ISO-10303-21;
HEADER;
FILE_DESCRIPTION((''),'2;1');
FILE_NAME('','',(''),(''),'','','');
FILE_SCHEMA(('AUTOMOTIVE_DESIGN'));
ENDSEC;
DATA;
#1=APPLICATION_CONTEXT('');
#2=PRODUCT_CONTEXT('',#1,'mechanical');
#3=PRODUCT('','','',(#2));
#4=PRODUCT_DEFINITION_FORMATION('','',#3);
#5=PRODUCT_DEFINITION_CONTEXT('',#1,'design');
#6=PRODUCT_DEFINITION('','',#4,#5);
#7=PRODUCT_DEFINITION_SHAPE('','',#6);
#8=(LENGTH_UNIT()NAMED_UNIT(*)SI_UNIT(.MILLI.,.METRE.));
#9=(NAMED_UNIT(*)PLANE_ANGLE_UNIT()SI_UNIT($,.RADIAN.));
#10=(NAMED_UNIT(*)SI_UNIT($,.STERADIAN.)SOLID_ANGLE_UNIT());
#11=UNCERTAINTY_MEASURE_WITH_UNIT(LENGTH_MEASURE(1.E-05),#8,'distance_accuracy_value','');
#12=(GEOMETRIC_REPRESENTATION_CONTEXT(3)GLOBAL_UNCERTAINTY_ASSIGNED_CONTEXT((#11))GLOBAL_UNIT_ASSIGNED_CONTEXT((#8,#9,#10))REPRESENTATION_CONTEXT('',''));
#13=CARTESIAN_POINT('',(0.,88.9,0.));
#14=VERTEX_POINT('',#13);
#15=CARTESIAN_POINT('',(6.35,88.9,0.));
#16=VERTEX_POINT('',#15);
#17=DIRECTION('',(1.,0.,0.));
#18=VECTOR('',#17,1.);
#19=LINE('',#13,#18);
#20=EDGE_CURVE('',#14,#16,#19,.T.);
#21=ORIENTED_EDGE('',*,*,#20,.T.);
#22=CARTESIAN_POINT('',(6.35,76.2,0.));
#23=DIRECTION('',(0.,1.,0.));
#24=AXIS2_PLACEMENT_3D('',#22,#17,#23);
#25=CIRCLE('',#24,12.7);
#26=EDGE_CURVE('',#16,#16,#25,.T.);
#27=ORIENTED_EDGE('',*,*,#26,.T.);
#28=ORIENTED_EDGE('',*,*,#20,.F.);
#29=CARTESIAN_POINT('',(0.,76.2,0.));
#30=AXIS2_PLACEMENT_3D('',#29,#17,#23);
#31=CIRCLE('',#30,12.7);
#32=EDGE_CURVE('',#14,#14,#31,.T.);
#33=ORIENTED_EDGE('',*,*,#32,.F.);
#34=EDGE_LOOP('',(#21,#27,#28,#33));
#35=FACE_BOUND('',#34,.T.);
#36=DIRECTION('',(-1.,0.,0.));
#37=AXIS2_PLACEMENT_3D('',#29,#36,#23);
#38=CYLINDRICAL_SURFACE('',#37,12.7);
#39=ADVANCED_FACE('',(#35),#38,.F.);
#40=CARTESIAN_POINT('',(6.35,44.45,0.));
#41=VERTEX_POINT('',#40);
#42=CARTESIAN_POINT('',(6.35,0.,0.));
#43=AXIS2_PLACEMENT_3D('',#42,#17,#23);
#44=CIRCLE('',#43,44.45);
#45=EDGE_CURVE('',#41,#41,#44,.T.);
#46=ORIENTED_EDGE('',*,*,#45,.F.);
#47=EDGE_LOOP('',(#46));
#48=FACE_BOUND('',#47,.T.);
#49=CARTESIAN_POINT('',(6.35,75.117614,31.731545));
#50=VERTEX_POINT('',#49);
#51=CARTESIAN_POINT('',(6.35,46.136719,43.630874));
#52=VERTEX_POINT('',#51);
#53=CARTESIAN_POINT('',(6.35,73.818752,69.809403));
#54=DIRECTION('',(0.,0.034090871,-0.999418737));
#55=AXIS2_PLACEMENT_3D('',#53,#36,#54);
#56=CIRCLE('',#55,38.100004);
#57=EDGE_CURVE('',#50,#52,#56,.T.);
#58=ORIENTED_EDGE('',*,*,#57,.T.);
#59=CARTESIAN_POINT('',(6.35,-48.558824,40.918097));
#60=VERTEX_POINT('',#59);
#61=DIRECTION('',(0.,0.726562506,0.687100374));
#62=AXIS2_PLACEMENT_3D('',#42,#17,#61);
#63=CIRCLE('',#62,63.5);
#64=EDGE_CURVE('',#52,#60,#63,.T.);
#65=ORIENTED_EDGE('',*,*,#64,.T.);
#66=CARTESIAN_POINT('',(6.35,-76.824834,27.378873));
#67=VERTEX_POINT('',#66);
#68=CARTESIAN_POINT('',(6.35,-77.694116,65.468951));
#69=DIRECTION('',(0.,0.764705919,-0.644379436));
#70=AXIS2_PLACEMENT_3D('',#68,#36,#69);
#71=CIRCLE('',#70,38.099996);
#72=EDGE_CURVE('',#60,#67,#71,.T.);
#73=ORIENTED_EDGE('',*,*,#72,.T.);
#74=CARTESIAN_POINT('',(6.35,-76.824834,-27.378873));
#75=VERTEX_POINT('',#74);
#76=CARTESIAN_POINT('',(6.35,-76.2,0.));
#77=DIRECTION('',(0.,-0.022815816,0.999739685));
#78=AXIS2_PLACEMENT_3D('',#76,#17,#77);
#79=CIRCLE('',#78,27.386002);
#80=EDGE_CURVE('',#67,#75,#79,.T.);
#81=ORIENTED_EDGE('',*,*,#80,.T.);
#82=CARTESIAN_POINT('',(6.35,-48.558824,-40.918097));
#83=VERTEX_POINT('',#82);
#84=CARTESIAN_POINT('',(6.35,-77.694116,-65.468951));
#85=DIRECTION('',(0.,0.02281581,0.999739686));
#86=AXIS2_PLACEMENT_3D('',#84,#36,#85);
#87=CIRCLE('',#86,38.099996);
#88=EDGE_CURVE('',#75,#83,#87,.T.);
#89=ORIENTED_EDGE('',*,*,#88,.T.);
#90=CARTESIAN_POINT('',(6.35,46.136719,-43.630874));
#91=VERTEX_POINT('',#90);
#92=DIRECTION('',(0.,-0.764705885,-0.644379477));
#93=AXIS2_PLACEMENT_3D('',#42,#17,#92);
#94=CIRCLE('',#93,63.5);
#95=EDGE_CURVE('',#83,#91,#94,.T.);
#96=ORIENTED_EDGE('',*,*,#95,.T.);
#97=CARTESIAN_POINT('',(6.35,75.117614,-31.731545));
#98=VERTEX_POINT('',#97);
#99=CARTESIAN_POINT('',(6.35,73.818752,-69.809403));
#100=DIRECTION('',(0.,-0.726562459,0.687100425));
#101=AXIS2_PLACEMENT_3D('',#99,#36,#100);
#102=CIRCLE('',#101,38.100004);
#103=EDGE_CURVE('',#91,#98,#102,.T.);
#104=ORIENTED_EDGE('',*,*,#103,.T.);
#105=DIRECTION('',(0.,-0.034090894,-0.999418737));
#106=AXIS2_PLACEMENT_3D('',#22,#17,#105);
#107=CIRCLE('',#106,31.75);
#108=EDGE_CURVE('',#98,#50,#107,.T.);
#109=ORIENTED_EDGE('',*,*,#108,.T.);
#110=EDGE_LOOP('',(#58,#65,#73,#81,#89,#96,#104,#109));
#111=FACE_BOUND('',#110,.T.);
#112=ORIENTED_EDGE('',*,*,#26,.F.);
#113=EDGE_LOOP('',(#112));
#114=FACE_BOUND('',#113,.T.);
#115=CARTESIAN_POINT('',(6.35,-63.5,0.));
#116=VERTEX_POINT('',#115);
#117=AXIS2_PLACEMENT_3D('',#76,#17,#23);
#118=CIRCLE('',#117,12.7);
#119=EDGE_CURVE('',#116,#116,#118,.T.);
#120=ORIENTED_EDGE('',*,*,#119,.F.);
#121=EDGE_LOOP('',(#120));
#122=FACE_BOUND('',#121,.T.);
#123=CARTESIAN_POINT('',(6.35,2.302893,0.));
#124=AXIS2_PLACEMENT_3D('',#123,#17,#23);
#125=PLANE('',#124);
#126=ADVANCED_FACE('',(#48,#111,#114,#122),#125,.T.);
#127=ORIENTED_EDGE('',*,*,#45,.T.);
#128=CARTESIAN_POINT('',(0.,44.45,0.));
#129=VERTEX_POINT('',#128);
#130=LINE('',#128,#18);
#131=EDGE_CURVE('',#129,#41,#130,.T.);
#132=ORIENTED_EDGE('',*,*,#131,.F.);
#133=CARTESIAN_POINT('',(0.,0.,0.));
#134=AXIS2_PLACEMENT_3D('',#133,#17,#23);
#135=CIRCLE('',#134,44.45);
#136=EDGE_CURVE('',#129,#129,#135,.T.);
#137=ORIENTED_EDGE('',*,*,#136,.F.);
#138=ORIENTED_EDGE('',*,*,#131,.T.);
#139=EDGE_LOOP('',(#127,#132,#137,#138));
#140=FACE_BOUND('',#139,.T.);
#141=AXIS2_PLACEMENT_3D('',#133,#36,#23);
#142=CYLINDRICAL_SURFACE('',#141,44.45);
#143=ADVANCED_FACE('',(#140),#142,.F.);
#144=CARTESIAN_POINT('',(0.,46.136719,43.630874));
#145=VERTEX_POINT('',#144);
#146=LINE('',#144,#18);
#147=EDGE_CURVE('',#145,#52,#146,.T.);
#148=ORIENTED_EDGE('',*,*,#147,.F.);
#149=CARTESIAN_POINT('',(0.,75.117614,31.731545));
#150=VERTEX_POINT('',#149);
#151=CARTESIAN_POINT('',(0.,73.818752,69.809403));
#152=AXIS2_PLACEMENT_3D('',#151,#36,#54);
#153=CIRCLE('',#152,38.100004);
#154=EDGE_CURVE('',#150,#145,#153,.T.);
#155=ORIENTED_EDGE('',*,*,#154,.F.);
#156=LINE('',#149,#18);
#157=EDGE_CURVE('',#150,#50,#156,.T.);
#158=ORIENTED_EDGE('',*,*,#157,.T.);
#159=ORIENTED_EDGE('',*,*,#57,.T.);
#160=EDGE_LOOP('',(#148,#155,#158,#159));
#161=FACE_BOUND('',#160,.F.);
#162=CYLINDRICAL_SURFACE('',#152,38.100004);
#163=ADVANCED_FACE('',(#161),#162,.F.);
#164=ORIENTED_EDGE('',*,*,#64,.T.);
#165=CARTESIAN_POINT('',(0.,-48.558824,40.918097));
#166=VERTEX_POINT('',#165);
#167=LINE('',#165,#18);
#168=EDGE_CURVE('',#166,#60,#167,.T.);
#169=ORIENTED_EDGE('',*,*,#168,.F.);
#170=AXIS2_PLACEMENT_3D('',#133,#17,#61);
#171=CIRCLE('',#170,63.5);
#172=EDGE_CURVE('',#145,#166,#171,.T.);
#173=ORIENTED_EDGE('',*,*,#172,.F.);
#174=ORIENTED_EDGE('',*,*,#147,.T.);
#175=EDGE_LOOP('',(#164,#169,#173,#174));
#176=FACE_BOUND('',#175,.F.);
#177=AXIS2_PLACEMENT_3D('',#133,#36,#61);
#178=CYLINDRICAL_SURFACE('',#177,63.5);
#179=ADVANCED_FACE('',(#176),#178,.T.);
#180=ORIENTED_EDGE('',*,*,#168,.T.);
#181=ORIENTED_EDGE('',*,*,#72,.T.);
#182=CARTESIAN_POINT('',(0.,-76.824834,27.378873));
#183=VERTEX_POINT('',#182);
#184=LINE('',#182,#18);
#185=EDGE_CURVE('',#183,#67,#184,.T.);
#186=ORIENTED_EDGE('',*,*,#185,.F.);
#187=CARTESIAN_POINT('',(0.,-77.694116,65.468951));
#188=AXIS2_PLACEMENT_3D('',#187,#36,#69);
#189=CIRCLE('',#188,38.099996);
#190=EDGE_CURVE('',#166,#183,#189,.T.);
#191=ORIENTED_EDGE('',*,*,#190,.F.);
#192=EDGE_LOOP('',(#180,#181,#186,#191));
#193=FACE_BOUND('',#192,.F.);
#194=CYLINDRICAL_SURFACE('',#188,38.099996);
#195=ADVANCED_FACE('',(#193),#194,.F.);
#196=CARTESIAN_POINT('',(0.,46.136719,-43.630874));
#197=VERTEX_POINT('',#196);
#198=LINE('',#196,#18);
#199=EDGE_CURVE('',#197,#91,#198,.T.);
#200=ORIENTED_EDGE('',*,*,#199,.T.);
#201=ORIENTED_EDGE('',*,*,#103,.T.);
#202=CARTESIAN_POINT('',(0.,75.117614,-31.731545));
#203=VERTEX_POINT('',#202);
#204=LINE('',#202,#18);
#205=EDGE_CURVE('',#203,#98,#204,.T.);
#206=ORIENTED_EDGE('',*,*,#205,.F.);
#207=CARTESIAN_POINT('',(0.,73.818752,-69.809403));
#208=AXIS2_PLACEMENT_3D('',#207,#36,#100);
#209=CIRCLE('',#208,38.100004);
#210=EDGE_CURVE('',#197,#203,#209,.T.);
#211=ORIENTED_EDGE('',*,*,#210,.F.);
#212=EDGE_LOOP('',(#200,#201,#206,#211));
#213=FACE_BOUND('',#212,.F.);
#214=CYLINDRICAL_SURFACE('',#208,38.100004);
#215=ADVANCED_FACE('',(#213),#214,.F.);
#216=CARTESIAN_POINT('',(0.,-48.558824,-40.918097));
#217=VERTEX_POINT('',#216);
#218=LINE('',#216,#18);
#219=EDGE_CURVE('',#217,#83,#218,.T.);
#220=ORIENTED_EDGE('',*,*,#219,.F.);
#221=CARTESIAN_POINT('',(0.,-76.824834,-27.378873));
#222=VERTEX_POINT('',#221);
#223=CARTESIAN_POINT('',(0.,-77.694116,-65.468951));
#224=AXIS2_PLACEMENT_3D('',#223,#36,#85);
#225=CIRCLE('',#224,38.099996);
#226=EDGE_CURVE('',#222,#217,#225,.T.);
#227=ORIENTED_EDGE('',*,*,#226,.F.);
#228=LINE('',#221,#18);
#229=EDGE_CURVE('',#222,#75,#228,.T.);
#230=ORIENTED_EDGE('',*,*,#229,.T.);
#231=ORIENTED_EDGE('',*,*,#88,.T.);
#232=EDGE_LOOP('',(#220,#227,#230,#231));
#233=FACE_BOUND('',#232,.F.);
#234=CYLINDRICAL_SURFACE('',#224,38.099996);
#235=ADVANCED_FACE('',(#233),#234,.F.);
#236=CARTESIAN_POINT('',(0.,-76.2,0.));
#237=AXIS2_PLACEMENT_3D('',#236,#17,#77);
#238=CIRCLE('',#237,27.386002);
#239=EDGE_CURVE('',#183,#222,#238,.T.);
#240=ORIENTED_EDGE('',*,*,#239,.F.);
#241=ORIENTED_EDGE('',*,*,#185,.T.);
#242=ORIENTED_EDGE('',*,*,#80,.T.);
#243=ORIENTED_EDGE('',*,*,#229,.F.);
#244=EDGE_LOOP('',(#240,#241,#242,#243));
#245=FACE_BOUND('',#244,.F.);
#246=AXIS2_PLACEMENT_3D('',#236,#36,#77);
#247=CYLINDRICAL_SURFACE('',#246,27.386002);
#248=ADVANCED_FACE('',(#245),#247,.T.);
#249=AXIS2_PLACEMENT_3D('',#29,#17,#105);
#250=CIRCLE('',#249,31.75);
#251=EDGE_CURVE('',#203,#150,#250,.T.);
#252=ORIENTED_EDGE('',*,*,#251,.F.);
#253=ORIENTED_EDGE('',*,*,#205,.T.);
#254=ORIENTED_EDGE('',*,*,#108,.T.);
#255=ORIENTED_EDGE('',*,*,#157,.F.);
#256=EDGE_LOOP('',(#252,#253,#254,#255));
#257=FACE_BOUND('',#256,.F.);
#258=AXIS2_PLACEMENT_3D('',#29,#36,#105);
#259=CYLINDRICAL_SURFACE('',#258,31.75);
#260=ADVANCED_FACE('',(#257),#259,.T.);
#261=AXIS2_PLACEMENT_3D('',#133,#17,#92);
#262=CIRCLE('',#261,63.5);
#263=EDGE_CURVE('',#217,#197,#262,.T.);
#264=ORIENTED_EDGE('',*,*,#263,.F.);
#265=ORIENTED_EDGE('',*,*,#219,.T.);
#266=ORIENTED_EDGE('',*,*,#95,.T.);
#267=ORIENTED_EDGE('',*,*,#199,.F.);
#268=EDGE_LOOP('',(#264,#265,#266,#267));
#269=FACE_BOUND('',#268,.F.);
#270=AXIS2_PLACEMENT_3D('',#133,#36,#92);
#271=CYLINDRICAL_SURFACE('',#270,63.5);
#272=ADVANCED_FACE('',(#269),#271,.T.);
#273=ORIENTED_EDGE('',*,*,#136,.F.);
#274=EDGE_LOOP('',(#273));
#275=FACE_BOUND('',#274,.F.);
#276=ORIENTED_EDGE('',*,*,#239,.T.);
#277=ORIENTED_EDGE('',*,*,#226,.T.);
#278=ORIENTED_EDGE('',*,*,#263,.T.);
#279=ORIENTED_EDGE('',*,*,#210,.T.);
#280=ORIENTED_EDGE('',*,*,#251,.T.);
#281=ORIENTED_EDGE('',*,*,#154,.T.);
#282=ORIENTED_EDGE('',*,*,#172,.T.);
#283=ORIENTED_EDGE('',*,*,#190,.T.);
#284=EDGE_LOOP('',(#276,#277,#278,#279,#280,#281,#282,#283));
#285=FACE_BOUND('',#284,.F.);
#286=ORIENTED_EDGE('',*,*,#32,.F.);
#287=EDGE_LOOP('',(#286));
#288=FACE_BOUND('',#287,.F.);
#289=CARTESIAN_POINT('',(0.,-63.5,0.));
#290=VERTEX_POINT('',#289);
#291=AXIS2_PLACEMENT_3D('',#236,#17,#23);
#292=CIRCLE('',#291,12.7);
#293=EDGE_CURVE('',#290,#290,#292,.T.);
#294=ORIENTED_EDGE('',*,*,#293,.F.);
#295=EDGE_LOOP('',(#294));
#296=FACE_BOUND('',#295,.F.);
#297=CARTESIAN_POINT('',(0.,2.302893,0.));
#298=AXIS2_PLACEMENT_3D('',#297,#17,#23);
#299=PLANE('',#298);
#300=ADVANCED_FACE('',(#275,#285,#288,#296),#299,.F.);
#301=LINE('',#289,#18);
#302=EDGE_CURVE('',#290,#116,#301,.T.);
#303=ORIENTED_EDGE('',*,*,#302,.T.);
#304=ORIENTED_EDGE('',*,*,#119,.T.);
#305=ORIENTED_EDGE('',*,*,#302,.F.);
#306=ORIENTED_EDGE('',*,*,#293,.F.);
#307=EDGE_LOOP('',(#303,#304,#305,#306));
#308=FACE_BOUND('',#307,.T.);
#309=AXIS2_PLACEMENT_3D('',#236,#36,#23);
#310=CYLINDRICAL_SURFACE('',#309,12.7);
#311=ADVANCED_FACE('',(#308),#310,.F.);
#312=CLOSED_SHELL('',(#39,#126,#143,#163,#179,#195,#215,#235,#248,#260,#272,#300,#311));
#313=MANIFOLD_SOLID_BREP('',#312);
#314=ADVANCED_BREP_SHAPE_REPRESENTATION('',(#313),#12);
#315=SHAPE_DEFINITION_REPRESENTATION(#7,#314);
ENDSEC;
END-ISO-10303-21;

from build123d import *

# Parameters (mm, degrees)
F0_R     = 12.7
F0_R_2   = 44.45
F1_DEPTH = 6.35


with BuildPart() as f1:
    # F0 (on Right) → F1 (new body)
    with BuildSketch(Plane.YZ):
        with BuildLine():
            ThreePointArc((-76.824834, -27.378873), (-61.23519, -31.10744), (-48.558824, -40.918097))
            ThreePointArc((-48.558824, -40.918097), (-1.818361, -63.47396), (46.136719, -43.630874))
            ThreePointArc((46.136719, -43.630874), (59.347524, -34.564632), (75.117614, -31.731545))
            ThreePointArc((75.117614, -31.731545), (107.95, 0), (75.117614, 31.731545))
            ThreePointArc((75.117614, 31.731545), (59.347524, 34.564632), (46.136719, 43.630874))
            ThreePointArc((46.136719, 43.630874), (-1.818361, 63.47396), (-48.558824, 40.918097))
            ThreePointArc((-48.558824, 40.918097), (-61.23519, 31.10744), (-76.824834, 27.378873))
            ThreePointArc((-76.824834, 27.378873), (-103.586002, 0), (-76.824834, -27.378873))
        make_face()
        with Locations((-76.2, 0)):
            Circle(F0_R, mode=Mode.SUBTRACT)
        Circle(F0_R_2, mode=Mode.SUBTRACT)
        with Locations((76.2, 0)):
            Circle(F0_R, mode=Mode.SUBTRACT)
    extrude(amount=F1_DEPTH)


solid = f1.part
